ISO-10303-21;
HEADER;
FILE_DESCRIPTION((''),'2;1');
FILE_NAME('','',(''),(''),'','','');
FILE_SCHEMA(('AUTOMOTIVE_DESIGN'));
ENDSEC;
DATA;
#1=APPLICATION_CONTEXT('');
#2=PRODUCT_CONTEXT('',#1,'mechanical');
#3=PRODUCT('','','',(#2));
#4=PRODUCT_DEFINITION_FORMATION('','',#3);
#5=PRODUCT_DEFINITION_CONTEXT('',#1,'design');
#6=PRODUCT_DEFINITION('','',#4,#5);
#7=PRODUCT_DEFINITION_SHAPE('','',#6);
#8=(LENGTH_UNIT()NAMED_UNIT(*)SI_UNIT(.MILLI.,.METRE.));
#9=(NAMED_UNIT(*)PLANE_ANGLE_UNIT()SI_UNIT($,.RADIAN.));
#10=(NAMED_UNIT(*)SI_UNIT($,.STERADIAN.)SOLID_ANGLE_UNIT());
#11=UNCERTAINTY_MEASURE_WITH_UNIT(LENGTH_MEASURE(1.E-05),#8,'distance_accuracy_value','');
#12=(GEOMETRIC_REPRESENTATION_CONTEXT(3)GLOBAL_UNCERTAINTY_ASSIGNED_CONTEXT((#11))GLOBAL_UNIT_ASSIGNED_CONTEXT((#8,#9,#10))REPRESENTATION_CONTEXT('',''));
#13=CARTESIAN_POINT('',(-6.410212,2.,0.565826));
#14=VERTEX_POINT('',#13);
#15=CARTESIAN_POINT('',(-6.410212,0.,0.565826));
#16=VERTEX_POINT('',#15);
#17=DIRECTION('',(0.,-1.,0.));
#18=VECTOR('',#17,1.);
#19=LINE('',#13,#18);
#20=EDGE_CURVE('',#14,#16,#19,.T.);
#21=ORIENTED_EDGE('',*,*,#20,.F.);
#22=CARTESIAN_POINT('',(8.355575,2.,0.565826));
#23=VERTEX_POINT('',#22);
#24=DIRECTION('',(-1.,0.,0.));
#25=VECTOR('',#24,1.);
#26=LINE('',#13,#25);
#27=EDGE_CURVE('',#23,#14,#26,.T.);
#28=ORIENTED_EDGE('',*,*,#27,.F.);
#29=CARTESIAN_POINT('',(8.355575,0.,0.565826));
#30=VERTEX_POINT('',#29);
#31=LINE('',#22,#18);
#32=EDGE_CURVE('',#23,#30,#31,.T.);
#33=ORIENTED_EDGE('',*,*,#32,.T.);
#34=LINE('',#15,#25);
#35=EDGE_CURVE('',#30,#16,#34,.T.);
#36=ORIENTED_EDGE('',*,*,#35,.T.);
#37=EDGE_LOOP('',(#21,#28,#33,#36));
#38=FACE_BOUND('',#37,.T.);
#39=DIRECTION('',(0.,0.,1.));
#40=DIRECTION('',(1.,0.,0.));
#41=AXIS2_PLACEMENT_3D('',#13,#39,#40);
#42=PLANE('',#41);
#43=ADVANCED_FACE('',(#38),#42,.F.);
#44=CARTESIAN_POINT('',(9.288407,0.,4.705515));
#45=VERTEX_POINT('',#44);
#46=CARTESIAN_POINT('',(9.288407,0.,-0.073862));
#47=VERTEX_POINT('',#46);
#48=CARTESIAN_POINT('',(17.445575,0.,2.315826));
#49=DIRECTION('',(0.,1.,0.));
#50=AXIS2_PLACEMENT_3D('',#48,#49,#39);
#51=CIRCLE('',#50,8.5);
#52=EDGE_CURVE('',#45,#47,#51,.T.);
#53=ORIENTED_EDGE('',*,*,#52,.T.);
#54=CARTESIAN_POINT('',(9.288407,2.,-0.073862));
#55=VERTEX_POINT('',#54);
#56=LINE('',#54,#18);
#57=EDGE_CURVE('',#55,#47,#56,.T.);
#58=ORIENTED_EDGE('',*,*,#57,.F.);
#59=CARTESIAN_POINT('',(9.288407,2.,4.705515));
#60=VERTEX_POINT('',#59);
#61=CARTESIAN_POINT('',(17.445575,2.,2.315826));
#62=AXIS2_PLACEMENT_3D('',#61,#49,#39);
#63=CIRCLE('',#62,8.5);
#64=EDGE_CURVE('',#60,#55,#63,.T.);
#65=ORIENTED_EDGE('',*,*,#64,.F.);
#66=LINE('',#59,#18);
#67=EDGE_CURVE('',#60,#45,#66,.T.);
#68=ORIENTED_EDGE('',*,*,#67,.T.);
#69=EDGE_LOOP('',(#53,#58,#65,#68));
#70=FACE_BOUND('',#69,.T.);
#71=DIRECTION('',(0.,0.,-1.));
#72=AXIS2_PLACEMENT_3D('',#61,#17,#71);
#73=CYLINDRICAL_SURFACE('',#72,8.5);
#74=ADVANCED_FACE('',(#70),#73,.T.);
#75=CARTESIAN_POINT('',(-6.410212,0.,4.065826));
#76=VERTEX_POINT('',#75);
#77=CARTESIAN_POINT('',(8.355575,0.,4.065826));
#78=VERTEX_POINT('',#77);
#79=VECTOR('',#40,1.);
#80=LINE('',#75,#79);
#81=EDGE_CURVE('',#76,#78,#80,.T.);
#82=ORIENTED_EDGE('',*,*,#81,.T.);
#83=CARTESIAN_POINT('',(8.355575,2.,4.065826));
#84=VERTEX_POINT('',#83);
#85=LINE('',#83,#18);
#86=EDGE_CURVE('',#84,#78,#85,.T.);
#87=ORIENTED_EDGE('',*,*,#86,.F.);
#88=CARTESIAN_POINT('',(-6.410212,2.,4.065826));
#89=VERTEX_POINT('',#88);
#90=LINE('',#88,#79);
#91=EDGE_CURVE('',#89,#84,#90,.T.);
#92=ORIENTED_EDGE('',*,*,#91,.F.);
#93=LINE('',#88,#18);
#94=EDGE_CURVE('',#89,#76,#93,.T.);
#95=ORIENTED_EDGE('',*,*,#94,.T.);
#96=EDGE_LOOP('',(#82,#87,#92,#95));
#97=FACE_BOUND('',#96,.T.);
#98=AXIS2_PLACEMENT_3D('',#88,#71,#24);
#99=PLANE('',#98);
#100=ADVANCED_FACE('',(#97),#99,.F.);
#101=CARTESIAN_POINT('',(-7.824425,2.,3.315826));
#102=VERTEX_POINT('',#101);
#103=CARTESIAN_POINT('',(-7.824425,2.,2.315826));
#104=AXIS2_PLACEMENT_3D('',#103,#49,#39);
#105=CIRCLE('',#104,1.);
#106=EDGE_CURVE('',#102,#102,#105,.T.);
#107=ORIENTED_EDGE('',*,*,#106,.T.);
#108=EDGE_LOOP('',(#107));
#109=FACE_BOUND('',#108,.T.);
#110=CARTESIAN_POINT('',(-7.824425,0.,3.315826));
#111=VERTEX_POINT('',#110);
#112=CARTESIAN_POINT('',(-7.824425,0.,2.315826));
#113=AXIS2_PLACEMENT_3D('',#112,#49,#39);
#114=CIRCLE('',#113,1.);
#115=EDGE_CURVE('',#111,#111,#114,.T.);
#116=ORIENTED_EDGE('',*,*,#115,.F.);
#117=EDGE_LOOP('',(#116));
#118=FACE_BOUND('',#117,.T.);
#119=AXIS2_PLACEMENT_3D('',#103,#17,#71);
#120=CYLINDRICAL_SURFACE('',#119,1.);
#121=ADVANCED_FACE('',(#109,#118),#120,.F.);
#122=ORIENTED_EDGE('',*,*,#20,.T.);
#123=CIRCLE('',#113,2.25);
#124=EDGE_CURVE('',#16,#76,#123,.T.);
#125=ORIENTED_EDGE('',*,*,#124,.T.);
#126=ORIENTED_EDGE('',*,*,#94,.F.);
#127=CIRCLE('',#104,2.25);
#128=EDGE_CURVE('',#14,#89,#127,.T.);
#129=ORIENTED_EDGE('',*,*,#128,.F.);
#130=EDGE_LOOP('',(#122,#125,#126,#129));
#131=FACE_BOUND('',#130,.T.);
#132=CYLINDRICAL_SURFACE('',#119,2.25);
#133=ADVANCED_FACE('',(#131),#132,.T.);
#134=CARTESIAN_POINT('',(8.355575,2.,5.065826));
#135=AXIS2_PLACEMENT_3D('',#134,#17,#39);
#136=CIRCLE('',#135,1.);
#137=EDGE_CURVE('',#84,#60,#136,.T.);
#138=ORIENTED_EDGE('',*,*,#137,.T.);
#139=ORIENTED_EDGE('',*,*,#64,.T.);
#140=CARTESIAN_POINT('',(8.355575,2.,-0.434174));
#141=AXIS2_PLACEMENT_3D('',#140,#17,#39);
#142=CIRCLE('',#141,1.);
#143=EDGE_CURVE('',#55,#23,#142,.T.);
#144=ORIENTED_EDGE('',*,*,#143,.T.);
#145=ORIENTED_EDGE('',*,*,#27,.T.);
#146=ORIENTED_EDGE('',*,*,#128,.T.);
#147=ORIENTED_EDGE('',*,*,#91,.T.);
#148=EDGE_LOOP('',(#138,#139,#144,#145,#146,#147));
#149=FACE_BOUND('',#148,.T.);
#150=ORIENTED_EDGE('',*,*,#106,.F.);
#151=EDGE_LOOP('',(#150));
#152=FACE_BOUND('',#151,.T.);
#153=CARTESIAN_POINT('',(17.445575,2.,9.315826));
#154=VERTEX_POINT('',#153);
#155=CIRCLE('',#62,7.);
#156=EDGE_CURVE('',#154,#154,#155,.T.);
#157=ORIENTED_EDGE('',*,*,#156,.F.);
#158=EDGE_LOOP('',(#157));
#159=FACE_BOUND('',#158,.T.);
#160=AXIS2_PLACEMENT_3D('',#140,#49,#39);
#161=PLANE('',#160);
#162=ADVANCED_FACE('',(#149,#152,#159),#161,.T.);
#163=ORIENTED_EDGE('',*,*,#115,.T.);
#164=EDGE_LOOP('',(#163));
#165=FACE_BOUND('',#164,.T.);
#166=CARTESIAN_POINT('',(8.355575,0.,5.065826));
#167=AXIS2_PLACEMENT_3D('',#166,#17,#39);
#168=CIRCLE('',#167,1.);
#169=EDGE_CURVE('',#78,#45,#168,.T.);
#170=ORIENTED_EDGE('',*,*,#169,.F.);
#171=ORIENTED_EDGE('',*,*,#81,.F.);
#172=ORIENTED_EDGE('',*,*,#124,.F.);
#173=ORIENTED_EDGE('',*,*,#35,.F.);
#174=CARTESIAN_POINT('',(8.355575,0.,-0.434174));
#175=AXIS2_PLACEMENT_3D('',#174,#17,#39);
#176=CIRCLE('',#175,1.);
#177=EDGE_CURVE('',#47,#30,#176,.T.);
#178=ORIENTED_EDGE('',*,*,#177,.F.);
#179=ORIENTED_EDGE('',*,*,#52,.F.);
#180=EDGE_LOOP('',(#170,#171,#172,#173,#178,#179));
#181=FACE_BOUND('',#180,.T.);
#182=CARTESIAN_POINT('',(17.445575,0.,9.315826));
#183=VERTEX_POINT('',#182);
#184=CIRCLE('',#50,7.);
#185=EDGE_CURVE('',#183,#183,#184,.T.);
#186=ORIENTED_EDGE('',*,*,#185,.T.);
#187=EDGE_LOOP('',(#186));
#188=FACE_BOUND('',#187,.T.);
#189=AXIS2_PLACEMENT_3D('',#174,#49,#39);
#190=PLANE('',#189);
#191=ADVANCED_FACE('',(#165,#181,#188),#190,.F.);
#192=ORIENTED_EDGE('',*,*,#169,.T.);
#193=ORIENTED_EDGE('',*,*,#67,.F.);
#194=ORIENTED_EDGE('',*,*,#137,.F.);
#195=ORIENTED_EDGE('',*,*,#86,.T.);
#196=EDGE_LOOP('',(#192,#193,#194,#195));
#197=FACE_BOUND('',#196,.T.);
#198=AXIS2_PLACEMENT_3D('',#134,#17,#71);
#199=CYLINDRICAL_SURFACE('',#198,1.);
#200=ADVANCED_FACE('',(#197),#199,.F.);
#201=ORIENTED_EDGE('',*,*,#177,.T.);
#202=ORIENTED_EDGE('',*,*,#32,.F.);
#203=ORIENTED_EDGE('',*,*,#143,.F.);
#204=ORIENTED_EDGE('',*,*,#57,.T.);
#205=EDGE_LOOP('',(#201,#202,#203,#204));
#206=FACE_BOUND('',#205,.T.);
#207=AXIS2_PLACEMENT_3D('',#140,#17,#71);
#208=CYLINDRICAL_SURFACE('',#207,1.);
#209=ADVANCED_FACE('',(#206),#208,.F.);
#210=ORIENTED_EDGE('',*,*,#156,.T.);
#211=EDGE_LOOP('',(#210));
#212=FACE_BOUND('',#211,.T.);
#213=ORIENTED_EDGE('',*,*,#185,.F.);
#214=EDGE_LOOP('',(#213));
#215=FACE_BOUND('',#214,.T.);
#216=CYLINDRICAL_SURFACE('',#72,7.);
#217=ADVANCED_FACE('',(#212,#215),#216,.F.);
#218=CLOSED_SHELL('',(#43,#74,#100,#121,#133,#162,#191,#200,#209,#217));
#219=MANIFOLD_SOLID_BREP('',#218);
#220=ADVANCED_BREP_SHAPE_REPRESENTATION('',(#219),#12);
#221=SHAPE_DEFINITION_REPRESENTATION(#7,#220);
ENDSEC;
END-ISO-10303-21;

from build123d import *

# Parameters (mm, degrees)
SKETCH1_R           = 7
SKETCH1_R_2         = 1
BOSS_EXTRUDE1_DEPTH = 2


with BuildPart() as part:
    # Sketch1 → Boss-Extrude1 (new body)
    with BuildSketch(Plane(origin=(0, 0, 0), x_dir=(1, 0, 0), z_dir=(0, 1, 0))):
        with BuildLine():
            Line((-6.410211793, -0.565826241), (8.355574645, -0.565826241))
            ThreePointArc((8.355574645, -0.565826241), (8.921122441, -0.390541761), (9.288406736, 0.07386238))
            ThreePointArc((9.288406736, 0.07386238), (25.945574645, -2.315826241), (9.288406736, -4.705514861))
            ThreePointArc((9.288406736, -4.705514861), (8.921122441, -4.24111072), (8.355574645, -4.065826241))
            Line((8.355574645, -4.065826241), (-6.410211793, -4.065826241))
            ThreePointArc((-6.410211793, -4.065826241), (-10.074425355, -2.315826241), (-6.410211793, -0.565826241))
        make_face()
        with Locations(Location((17.445574645, -2.315826241, 0), (0, 0, 270))):
            Circle(SKETCH1_R, mode=Mode.SUBTRACT)
        with Locations(Location((-7.824425355, -2.315826241, 0), (0, 0, 270))):
            Circle(SKETCH1_R_2, mode=Mode.SUBTRACT)
    extrude(amount=BOSS_EXTRUDE1_DEPTH)


solid = part.part
